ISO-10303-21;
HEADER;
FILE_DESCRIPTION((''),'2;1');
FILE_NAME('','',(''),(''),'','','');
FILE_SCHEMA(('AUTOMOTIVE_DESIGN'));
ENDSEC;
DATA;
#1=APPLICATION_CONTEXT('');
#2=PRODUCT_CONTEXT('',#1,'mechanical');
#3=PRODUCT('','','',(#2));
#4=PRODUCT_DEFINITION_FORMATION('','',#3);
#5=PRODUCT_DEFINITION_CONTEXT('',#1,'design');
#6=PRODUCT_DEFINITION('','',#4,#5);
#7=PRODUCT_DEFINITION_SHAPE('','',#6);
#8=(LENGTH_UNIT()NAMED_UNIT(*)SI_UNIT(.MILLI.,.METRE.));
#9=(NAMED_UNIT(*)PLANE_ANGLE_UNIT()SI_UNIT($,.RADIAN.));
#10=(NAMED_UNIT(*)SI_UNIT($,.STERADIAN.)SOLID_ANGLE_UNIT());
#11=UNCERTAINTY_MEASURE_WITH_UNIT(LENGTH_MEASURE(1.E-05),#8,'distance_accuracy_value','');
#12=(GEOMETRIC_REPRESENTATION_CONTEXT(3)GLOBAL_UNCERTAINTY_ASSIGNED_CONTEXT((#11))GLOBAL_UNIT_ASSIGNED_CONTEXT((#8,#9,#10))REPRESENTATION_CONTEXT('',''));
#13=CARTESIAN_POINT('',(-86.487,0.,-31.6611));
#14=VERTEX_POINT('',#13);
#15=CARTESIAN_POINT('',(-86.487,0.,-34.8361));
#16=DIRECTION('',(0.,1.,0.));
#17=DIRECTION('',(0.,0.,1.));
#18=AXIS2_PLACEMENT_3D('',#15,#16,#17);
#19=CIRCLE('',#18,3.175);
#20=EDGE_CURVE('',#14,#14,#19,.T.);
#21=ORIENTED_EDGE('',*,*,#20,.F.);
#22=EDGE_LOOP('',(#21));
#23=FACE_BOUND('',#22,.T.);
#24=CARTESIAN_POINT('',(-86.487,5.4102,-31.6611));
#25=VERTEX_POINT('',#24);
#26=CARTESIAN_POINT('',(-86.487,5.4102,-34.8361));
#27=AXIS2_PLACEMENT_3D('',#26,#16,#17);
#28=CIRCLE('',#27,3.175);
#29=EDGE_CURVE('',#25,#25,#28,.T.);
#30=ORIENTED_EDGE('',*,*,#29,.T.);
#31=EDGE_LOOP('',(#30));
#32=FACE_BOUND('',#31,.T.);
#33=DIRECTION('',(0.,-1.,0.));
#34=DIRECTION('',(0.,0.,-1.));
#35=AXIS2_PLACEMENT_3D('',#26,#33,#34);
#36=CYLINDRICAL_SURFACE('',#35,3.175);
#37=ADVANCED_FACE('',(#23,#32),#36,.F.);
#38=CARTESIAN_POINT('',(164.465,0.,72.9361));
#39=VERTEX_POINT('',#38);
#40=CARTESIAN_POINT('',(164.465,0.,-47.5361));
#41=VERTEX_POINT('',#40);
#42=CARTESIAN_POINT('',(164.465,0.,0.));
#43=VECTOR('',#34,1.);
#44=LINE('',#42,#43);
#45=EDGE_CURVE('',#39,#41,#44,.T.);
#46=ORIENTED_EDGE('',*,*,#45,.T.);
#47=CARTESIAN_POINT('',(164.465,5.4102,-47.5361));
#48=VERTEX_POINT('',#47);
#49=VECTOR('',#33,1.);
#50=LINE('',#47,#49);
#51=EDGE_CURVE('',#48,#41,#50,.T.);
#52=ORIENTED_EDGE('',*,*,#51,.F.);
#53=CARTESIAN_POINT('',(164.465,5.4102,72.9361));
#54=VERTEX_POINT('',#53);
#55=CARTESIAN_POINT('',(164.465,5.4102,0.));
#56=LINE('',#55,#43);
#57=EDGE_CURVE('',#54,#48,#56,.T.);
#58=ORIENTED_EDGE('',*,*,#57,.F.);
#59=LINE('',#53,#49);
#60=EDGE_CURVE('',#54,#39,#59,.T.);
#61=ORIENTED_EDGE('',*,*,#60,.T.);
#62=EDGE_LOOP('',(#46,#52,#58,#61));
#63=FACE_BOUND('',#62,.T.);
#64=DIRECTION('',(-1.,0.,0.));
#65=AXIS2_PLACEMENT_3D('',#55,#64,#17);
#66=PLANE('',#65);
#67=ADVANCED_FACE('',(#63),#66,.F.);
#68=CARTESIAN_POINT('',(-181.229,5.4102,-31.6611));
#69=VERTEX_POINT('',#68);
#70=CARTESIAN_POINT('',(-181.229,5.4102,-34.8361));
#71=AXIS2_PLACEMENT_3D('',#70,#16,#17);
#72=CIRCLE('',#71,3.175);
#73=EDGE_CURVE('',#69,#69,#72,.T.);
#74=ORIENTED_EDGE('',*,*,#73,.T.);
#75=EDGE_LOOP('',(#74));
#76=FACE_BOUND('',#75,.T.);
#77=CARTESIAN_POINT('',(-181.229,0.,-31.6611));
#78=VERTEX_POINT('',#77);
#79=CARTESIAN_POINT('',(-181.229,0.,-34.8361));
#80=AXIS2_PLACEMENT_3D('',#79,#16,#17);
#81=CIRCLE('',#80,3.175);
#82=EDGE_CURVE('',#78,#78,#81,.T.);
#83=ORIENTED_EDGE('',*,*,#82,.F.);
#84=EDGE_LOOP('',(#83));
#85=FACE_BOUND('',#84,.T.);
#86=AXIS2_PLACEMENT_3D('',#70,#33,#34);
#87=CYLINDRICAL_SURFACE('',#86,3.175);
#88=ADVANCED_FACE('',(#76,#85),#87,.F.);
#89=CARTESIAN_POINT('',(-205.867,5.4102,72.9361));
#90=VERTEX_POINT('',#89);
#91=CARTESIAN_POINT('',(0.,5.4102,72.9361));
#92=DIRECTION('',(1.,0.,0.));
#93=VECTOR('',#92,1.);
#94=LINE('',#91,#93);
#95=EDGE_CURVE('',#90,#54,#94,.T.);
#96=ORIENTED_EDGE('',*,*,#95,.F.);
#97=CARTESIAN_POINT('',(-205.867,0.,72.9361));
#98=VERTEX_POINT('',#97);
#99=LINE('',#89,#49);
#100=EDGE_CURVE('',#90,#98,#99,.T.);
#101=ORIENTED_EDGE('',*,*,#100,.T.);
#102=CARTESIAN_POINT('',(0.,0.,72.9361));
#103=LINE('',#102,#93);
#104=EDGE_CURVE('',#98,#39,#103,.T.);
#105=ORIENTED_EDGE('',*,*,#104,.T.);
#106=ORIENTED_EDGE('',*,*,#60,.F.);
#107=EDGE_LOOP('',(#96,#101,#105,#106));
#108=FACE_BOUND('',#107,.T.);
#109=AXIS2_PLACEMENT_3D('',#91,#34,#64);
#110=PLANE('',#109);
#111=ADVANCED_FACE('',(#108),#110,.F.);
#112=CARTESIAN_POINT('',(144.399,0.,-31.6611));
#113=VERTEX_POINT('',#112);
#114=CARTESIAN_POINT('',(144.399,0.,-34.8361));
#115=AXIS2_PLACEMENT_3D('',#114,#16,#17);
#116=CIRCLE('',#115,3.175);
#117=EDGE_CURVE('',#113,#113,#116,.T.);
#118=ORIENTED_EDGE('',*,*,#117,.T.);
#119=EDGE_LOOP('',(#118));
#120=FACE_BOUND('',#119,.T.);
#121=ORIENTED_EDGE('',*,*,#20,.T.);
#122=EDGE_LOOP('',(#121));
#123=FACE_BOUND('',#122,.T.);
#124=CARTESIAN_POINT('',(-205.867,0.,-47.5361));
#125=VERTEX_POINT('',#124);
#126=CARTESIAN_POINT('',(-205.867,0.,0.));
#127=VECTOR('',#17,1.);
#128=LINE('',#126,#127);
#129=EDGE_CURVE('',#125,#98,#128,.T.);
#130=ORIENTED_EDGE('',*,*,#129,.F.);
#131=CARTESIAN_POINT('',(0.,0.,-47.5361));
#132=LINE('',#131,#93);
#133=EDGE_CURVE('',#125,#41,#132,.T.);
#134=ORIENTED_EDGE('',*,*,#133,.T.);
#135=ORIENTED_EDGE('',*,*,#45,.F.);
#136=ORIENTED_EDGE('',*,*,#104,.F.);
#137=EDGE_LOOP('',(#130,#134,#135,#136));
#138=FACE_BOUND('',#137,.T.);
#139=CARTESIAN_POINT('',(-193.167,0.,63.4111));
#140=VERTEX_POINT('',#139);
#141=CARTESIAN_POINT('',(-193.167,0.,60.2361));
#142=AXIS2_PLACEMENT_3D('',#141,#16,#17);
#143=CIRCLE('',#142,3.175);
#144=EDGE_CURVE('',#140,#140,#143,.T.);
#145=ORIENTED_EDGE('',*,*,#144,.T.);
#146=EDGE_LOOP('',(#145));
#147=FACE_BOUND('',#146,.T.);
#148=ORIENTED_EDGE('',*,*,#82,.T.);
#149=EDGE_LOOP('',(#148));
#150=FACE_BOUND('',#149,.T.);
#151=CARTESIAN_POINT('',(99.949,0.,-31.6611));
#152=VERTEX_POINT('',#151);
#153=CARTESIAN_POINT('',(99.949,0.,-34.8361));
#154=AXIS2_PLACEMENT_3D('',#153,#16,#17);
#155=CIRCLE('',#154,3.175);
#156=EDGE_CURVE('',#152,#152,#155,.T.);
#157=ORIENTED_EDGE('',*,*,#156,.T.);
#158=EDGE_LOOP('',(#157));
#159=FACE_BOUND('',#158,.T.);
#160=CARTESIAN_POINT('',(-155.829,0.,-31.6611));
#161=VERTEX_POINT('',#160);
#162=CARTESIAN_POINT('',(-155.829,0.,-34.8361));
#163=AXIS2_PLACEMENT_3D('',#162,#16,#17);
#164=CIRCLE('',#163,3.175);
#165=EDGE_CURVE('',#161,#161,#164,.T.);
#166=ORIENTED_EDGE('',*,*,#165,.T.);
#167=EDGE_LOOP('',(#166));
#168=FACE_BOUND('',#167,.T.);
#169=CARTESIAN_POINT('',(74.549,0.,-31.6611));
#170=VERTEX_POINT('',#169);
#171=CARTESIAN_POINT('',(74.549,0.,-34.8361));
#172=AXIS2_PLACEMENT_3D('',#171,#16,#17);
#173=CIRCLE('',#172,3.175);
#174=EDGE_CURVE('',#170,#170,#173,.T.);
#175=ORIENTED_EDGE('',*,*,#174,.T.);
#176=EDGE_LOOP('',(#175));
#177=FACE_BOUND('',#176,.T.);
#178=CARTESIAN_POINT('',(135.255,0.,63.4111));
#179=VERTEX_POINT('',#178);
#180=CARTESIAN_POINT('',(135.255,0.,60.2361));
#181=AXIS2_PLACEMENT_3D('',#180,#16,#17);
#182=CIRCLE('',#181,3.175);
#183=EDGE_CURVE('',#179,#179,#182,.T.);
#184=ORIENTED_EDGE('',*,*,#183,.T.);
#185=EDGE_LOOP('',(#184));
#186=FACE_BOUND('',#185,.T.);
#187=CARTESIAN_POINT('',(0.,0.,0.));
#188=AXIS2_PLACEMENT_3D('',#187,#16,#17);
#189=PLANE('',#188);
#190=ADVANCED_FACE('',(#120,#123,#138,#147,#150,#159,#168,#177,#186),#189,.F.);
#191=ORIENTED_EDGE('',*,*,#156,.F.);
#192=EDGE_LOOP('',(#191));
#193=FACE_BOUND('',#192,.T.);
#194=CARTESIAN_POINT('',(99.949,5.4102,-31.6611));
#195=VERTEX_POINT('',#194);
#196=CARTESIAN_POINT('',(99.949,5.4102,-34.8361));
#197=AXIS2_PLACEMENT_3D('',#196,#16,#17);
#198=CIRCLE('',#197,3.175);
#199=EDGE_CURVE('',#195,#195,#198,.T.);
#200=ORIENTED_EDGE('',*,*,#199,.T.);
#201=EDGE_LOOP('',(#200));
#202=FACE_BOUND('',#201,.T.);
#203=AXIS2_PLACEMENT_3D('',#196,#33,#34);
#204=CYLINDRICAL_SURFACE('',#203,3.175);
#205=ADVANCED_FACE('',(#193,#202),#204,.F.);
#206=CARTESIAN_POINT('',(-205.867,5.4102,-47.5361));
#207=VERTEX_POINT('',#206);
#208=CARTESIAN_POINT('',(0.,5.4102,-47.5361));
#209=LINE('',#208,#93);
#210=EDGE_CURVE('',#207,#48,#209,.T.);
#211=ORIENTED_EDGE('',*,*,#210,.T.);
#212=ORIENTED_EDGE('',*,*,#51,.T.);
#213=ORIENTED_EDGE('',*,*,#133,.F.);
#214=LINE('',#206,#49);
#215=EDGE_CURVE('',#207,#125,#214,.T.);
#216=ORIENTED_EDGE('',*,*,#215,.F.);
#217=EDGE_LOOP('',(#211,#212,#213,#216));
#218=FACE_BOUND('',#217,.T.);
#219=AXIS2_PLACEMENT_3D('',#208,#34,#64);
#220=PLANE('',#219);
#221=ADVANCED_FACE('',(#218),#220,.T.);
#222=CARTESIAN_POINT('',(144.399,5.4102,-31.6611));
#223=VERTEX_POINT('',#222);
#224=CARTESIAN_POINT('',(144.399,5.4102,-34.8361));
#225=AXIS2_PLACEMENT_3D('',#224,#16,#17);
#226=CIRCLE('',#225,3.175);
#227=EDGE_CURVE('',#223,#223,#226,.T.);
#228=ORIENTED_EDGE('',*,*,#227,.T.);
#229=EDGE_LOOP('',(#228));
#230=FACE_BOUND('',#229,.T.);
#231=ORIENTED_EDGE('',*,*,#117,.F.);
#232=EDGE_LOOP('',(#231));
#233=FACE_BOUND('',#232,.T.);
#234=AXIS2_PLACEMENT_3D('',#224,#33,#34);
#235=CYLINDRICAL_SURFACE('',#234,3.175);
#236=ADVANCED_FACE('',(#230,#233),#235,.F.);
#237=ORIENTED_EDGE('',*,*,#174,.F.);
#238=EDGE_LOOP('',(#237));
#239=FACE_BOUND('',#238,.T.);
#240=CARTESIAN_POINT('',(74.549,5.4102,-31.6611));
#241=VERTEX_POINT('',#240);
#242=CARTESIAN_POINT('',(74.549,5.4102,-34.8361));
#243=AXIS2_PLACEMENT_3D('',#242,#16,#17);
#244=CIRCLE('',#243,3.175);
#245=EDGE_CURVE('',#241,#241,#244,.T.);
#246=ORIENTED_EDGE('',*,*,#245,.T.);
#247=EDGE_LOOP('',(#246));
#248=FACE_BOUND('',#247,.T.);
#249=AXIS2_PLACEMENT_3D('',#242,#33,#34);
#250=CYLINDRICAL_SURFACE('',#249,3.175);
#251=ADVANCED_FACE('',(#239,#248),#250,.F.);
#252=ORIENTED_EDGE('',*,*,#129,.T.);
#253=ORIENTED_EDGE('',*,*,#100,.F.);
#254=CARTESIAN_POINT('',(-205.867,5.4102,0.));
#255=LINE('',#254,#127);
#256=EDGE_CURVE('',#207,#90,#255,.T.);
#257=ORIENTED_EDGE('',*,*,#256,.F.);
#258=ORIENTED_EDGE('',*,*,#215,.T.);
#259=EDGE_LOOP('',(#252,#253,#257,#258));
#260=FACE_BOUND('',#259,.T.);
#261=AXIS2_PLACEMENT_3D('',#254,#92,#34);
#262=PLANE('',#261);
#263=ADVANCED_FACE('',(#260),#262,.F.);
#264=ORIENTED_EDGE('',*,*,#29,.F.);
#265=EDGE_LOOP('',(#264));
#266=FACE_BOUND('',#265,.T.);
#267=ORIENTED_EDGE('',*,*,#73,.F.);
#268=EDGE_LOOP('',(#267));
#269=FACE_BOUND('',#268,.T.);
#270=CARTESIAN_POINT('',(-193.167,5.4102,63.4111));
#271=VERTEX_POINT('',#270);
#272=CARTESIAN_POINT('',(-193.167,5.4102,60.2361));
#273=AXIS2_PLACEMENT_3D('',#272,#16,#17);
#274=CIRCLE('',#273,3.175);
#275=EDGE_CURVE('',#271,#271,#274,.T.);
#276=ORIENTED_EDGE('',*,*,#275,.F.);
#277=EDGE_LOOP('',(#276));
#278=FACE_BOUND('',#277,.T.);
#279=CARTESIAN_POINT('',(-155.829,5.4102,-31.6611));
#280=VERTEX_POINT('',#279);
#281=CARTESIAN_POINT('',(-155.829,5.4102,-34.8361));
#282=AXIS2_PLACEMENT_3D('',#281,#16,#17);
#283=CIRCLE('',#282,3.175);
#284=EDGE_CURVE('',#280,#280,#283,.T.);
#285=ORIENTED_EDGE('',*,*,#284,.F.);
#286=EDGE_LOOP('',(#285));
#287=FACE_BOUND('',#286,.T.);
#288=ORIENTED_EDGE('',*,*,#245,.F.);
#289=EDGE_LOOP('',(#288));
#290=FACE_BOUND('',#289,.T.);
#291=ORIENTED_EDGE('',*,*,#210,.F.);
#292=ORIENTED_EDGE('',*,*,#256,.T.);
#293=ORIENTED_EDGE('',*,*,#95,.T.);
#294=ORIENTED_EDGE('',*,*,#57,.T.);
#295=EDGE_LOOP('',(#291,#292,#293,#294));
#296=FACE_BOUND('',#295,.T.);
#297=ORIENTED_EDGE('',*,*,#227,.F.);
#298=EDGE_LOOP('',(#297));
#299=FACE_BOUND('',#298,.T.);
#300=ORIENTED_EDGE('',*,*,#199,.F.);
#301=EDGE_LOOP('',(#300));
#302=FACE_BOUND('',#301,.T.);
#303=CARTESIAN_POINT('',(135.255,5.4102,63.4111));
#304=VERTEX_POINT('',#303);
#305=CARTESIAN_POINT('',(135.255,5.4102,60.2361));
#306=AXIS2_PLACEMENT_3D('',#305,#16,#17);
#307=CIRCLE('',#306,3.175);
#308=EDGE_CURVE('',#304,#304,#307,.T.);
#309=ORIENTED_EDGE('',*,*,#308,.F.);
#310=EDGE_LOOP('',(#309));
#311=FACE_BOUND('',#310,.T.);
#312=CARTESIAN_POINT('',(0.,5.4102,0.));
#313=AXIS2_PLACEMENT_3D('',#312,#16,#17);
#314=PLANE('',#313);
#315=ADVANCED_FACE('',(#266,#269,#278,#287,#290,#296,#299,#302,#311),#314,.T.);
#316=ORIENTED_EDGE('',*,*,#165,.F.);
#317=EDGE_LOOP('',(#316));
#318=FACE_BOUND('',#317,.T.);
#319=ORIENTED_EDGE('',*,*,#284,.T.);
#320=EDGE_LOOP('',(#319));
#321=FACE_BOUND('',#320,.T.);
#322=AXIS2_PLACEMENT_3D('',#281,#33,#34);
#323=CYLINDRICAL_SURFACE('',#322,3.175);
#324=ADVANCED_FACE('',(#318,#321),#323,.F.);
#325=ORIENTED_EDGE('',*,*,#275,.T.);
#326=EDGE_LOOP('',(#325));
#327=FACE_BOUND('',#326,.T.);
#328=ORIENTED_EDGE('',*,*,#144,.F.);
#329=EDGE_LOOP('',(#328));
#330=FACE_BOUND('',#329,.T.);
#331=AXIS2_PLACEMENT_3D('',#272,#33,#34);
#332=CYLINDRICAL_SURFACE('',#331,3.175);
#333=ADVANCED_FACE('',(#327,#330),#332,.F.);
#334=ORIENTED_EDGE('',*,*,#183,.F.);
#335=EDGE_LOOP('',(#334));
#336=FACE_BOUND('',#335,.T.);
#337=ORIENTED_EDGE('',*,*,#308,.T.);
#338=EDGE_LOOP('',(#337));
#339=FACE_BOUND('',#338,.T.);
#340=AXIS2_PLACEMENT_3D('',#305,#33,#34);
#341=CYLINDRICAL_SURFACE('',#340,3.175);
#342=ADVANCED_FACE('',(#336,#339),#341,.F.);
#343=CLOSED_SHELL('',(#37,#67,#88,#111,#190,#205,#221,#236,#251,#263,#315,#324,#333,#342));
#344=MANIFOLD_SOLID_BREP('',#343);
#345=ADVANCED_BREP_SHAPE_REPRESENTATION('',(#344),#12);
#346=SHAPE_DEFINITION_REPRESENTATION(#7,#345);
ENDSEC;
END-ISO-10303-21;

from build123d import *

# Parameters (mm, degrees)
SKETCH1_R           = 3.175
SKETCH1_W           = 40.386
SKETCH1_H           = 95.0722
SKETCH1_W_2         = 5.4102
SKETCH1_H_2         = 12.7
BOSS_EXTRUDE1_DEPTH = 5.4102


with BuildPart() as part:
    # Sketch1 → Boss-Extrude1 (new body)
    # profile 1 of 4: a face of its own
    with BuildSketch(Plane(origin=(0, 0, 0), x_dir=(1, 0, 0), z_dir=(0, 1, 0))):
        Polygon((-165.481, 47.5361), (-165.481, -47.5361), (86.5759, -47.5361), (91.9861, -47.5361), (114.8334, -47.5361), (164.465, -47.5361), (164.465, -42.1259), (164.465, 47.5361), (62.5475, 47.5361), (-73.787, 47.5361), align=None)
        with Locations(Location((-155.829, 34.8361, 0), (0, 0, 270))):
            Circle(SKETCH1_R, mode=Mode.SUBTRACT)
        with Locations(Location((-86.487, 34.8361, 0), (0, 0, 270))):
            Circle(SKETCH1_R, mode=Mode.SUBTRACT)
        with Locations(Location((74.549, 34.8361, 0), (0, 0, 270))):
            Circle(SKETCH1_R, mode=Mode.SUBTRACT)
        with Locations(Location((99.949, 34.8361, 0), (0, 0, 270))):
            Circle(SKETCH1_R, mode=Mode.SUBTRACT)
        with Locations(Location((144.399, 34.8361, 0), (0, 0, 270))):
            Circle(SKETCH1_R, mode=Mode.SUBTRACT)
    # profile 2 of 4: a face of its own
    with BuildSketch(Plane(origin=(0, 0, 0), x_dir=(1, 0, 0), z_dir=(0, 1, 0))):
        with Locations((-185.674, 0)):
            Rectangle(SKETCH1_W, SKETCH1_H)
        with Locations(Location((-181.229, 34.8361, 0), (0, 0, 270))):
            Circle(SKETCH1_R, mode=Mode.SUBTRACT)
    # profile 3 of 4: a face of its own
    with BuildSketch(Plane(origin=(0, 0, 0), x_dir=(1, 0, 0), z_dir=(0, 1, 0))):
        Polygon((86.5759, -47.5361), (-165.481, -47.5361), (-205.867, -47.5361), (-205.867, -72.9361), (164.465, -72.9361), (164.465, -47.5361), (114.8334, -47.5361), (91.9861, -47.5361), (91.9861, -60.2361), (86.5759, -60.2361), align=None)
        with Locations(Location((-193.167, -60.2361, 0), (0, 0, 270))):
            Circle(SKETCH1_R, mode=Mode.SUBTRACT)
        with Locations(Location((135.255, -60.2361, 0), (0, 0, 270))):
            Circle(SKETCH1_R, mode=Mode.SUBTRACT)
    # profile 4 of 4: a face of its own
    with BuildSketch(Plane(origin=(0, 0, 0), x_dir=(1, 0, 0), z_dir=(0, 1, 0))):
        with Locations((89.281, -53.8861)):
            Rectangle(SKETCH1_W_2, SKETCH1_H_2)
    extrude(amount=BOSS_EXTRUDE1_DEPTH)


solid = part.part
